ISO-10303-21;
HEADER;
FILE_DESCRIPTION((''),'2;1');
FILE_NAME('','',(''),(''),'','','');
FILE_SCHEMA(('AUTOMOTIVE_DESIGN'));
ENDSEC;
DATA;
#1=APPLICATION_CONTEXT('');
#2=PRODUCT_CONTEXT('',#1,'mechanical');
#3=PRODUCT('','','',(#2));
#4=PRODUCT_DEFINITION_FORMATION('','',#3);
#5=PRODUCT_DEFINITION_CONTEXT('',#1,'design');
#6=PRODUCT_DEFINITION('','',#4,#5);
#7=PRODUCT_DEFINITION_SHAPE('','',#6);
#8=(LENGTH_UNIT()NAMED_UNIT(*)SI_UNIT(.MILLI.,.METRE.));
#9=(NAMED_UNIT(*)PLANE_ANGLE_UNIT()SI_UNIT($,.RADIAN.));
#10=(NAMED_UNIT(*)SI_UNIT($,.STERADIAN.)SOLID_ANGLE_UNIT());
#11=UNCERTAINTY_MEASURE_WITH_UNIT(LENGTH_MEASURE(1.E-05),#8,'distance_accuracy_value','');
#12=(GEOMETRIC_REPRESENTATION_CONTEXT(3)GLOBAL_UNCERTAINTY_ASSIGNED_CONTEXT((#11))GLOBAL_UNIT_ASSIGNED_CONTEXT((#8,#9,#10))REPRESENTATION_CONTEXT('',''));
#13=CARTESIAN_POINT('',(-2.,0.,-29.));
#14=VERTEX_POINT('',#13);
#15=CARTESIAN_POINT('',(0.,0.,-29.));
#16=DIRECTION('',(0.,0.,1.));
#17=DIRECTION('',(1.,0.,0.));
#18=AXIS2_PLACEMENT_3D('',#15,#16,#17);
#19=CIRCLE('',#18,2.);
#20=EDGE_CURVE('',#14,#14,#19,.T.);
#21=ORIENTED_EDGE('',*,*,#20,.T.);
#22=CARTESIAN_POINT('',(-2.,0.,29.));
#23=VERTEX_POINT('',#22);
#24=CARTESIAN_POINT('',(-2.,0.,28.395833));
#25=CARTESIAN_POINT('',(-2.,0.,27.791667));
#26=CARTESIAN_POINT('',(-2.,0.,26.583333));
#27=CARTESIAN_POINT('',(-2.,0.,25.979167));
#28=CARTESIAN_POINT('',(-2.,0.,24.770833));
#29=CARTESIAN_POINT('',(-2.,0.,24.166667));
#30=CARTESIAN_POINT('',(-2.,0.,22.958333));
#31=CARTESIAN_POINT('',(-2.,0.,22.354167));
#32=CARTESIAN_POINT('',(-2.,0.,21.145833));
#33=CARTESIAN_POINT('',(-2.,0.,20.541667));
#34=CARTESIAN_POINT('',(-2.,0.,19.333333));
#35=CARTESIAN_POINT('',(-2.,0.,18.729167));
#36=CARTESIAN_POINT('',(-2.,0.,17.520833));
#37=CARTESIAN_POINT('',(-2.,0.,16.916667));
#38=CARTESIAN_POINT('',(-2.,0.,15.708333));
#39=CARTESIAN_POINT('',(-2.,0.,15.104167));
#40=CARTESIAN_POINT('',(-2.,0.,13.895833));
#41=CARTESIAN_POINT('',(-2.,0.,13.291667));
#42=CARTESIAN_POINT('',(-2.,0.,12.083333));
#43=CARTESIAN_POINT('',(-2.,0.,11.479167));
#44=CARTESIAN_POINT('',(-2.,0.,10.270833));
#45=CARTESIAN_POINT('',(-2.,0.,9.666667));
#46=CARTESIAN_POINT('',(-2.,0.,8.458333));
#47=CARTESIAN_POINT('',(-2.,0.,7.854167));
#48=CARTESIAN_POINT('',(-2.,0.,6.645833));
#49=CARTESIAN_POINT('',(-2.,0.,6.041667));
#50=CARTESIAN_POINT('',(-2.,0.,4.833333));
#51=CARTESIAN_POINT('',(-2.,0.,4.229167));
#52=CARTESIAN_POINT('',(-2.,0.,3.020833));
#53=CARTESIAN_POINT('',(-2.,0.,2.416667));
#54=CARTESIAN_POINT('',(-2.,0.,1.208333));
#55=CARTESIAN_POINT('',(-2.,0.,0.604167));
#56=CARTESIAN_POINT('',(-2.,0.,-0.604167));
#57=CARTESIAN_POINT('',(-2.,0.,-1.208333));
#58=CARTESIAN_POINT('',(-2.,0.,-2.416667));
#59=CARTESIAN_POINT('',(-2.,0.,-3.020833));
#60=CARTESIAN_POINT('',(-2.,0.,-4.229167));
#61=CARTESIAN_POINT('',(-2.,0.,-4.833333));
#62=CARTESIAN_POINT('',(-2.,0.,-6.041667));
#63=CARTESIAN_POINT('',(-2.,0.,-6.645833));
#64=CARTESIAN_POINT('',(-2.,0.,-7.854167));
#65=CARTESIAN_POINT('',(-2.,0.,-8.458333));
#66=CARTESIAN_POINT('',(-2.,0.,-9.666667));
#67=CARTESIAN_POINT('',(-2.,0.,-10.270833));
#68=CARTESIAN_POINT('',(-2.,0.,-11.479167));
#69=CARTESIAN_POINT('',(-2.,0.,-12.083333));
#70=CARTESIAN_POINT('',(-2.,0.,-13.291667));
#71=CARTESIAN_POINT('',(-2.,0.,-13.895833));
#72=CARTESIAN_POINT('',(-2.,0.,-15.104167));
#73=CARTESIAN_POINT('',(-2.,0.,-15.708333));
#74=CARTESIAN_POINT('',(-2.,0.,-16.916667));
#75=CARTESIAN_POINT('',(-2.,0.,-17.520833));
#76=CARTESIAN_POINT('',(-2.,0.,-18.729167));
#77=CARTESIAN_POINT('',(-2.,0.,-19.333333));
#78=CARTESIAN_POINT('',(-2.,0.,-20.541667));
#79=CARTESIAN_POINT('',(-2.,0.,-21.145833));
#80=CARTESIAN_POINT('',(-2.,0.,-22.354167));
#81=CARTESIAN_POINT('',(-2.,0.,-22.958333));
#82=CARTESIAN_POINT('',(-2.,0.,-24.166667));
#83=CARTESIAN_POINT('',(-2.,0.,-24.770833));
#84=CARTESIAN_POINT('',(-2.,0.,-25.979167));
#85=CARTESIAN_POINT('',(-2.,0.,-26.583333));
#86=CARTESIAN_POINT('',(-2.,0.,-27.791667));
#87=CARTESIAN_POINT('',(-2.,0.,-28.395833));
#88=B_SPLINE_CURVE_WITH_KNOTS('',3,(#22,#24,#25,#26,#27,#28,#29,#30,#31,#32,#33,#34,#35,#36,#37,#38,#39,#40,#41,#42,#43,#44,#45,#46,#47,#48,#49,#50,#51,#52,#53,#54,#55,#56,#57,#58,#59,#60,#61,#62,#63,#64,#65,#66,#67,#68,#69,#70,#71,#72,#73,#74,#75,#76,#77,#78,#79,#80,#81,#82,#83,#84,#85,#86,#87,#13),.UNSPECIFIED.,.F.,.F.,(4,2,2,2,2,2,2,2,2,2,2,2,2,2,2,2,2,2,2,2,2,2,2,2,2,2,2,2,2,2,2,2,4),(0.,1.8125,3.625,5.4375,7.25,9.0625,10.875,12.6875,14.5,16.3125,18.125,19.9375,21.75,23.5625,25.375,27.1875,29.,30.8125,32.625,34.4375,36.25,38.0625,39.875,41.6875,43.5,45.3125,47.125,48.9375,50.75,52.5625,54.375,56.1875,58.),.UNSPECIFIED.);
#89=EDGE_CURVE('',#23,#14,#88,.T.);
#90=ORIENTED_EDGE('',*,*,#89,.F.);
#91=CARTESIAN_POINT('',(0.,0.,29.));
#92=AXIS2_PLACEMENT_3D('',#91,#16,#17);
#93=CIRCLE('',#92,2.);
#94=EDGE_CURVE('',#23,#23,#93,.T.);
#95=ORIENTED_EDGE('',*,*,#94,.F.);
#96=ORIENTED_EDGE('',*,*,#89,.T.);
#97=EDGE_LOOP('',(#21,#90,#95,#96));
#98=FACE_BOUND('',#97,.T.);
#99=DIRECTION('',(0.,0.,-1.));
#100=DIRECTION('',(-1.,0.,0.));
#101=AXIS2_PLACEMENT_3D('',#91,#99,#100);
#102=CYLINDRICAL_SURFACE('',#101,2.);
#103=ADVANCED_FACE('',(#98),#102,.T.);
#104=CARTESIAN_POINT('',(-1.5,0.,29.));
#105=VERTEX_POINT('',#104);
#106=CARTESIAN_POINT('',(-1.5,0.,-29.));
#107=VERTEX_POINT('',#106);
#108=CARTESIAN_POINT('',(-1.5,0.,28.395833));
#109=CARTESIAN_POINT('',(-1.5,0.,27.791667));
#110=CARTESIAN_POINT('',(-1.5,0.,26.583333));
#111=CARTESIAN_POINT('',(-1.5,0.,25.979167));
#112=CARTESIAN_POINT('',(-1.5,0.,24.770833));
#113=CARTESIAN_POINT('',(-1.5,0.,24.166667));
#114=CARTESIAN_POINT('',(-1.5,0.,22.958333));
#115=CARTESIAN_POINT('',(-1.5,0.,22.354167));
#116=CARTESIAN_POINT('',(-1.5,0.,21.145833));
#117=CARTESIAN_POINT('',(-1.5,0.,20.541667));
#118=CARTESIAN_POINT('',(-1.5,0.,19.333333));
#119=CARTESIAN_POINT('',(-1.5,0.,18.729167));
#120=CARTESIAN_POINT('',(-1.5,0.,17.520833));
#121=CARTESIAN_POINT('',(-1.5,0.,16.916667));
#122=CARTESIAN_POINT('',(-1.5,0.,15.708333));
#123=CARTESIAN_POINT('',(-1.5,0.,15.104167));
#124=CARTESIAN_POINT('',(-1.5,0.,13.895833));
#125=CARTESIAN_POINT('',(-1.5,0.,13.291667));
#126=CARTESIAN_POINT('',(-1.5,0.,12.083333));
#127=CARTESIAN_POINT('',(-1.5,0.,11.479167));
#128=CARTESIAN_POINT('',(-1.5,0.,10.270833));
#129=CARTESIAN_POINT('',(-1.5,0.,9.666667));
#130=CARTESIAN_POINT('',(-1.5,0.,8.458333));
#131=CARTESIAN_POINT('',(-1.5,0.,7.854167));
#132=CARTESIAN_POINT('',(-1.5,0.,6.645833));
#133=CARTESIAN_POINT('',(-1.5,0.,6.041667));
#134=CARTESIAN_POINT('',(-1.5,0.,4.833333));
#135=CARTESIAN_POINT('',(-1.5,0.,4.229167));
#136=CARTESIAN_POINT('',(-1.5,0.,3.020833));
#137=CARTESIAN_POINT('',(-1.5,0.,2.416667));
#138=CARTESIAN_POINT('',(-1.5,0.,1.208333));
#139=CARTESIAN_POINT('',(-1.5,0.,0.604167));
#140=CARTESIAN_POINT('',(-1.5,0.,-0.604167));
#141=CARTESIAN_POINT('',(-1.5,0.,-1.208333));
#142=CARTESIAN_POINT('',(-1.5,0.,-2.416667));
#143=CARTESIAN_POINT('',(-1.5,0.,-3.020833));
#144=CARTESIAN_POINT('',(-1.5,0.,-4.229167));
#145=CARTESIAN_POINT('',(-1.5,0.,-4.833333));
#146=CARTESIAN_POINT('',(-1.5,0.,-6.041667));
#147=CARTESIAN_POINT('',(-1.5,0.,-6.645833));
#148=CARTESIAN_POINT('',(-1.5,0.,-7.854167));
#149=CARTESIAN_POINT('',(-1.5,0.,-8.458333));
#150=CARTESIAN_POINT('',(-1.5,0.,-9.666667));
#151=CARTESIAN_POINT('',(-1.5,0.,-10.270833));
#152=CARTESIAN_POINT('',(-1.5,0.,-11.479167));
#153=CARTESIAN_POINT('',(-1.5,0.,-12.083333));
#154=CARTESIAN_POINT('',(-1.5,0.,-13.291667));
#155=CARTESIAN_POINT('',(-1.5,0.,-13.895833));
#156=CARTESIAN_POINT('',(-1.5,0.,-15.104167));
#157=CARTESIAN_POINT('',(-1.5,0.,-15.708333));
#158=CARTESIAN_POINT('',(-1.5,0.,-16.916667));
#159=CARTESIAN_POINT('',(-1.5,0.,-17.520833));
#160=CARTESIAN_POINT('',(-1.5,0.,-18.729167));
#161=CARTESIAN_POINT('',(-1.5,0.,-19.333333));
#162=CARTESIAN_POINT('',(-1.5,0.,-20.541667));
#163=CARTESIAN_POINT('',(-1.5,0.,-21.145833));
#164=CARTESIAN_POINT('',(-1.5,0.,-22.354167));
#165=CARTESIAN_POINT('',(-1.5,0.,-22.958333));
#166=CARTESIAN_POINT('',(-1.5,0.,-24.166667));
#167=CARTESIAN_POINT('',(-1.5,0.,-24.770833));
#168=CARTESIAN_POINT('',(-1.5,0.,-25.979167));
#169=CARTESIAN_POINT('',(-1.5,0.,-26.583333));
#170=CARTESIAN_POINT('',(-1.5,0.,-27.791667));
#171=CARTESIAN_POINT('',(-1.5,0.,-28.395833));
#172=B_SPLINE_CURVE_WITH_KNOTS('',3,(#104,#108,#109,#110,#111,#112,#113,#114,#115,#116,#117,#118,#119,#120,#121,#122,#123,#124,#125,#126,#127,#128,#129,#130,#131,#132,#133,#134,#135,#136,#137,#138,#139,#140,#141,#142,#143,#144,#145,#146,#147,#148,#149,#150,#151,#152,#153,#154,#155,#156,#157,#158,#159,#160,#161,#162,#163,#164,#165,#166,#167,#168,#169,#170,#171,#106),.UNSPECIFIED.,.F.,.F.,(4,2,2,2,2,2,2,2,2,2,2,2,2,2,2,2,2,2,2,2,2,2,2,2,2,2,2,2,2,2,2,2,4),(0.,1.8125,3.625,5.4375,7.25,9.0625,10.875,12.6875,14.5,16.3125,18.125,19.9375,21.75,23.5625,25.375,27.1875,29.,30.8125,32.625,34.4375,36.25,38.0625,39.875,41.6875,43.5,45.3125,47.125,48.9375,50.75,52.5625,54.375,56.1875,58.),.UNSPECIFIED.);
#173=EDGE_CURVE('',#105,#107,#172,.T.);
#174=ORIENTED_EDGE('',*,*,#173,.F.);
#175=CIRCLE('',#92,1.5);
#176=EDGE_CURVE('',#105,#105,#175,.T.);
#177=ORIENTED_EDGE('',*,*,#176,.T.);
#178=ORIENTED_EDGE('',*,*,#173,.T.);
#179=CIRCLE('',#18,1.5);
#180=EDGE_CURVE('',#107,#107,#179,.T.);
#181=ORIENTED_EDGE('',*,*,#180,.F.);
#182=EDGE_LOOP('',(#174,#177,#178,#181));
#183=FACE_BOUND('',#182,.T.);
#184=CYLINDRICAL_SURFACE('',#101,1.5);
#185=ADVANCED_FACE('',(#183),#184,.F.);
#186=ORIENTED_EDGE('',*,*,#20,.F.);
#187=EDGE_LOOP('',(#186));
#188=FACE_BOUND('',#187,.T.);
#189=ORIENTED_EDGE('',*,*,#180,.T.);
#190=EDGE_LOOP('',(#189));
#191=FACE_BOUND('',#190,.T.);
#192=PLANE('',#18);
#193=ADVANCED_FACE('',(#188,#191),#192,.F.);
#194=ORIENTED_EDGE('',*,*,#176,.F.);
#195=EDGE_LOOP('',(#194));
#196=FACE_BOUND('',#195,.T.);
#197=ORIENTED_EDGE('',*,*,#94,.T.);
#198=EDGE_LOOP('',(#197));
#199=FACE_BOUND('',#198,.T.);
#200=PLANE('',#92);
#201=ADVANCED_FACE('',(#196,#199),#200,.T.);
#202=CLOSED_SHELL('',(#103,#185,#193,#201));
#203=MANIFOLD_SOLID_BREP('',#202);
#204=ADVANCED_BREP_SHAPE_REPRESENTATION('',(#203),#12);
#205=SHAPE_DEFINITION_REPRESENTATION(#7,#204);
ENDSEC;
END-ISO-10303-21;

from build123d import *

# Parameters (mm, degrees)
SKETCH_1_R      = 2
SKETCH_1_R_2    = 1.5
EXTRUDE_1_DEPTH = 29


with BuildPart() as part:
    # 草图1 → 凸台-拉伸1 (new, symmetric)
    with BuildSketch(Plane.XY):
        with Locations(Location((0, 0, 0), (0, 0, 180))):
            Circle(SKETCH_1_R)
        with Locations(Location((0, 0, 0), (0, 0, 180))):
            Circle(SKETCH_1_R_2, mode=Mode.SUBTRACT)
    extrude(amount=EXTRUDE_1_DEPTH, both=True)


solid = part.part
